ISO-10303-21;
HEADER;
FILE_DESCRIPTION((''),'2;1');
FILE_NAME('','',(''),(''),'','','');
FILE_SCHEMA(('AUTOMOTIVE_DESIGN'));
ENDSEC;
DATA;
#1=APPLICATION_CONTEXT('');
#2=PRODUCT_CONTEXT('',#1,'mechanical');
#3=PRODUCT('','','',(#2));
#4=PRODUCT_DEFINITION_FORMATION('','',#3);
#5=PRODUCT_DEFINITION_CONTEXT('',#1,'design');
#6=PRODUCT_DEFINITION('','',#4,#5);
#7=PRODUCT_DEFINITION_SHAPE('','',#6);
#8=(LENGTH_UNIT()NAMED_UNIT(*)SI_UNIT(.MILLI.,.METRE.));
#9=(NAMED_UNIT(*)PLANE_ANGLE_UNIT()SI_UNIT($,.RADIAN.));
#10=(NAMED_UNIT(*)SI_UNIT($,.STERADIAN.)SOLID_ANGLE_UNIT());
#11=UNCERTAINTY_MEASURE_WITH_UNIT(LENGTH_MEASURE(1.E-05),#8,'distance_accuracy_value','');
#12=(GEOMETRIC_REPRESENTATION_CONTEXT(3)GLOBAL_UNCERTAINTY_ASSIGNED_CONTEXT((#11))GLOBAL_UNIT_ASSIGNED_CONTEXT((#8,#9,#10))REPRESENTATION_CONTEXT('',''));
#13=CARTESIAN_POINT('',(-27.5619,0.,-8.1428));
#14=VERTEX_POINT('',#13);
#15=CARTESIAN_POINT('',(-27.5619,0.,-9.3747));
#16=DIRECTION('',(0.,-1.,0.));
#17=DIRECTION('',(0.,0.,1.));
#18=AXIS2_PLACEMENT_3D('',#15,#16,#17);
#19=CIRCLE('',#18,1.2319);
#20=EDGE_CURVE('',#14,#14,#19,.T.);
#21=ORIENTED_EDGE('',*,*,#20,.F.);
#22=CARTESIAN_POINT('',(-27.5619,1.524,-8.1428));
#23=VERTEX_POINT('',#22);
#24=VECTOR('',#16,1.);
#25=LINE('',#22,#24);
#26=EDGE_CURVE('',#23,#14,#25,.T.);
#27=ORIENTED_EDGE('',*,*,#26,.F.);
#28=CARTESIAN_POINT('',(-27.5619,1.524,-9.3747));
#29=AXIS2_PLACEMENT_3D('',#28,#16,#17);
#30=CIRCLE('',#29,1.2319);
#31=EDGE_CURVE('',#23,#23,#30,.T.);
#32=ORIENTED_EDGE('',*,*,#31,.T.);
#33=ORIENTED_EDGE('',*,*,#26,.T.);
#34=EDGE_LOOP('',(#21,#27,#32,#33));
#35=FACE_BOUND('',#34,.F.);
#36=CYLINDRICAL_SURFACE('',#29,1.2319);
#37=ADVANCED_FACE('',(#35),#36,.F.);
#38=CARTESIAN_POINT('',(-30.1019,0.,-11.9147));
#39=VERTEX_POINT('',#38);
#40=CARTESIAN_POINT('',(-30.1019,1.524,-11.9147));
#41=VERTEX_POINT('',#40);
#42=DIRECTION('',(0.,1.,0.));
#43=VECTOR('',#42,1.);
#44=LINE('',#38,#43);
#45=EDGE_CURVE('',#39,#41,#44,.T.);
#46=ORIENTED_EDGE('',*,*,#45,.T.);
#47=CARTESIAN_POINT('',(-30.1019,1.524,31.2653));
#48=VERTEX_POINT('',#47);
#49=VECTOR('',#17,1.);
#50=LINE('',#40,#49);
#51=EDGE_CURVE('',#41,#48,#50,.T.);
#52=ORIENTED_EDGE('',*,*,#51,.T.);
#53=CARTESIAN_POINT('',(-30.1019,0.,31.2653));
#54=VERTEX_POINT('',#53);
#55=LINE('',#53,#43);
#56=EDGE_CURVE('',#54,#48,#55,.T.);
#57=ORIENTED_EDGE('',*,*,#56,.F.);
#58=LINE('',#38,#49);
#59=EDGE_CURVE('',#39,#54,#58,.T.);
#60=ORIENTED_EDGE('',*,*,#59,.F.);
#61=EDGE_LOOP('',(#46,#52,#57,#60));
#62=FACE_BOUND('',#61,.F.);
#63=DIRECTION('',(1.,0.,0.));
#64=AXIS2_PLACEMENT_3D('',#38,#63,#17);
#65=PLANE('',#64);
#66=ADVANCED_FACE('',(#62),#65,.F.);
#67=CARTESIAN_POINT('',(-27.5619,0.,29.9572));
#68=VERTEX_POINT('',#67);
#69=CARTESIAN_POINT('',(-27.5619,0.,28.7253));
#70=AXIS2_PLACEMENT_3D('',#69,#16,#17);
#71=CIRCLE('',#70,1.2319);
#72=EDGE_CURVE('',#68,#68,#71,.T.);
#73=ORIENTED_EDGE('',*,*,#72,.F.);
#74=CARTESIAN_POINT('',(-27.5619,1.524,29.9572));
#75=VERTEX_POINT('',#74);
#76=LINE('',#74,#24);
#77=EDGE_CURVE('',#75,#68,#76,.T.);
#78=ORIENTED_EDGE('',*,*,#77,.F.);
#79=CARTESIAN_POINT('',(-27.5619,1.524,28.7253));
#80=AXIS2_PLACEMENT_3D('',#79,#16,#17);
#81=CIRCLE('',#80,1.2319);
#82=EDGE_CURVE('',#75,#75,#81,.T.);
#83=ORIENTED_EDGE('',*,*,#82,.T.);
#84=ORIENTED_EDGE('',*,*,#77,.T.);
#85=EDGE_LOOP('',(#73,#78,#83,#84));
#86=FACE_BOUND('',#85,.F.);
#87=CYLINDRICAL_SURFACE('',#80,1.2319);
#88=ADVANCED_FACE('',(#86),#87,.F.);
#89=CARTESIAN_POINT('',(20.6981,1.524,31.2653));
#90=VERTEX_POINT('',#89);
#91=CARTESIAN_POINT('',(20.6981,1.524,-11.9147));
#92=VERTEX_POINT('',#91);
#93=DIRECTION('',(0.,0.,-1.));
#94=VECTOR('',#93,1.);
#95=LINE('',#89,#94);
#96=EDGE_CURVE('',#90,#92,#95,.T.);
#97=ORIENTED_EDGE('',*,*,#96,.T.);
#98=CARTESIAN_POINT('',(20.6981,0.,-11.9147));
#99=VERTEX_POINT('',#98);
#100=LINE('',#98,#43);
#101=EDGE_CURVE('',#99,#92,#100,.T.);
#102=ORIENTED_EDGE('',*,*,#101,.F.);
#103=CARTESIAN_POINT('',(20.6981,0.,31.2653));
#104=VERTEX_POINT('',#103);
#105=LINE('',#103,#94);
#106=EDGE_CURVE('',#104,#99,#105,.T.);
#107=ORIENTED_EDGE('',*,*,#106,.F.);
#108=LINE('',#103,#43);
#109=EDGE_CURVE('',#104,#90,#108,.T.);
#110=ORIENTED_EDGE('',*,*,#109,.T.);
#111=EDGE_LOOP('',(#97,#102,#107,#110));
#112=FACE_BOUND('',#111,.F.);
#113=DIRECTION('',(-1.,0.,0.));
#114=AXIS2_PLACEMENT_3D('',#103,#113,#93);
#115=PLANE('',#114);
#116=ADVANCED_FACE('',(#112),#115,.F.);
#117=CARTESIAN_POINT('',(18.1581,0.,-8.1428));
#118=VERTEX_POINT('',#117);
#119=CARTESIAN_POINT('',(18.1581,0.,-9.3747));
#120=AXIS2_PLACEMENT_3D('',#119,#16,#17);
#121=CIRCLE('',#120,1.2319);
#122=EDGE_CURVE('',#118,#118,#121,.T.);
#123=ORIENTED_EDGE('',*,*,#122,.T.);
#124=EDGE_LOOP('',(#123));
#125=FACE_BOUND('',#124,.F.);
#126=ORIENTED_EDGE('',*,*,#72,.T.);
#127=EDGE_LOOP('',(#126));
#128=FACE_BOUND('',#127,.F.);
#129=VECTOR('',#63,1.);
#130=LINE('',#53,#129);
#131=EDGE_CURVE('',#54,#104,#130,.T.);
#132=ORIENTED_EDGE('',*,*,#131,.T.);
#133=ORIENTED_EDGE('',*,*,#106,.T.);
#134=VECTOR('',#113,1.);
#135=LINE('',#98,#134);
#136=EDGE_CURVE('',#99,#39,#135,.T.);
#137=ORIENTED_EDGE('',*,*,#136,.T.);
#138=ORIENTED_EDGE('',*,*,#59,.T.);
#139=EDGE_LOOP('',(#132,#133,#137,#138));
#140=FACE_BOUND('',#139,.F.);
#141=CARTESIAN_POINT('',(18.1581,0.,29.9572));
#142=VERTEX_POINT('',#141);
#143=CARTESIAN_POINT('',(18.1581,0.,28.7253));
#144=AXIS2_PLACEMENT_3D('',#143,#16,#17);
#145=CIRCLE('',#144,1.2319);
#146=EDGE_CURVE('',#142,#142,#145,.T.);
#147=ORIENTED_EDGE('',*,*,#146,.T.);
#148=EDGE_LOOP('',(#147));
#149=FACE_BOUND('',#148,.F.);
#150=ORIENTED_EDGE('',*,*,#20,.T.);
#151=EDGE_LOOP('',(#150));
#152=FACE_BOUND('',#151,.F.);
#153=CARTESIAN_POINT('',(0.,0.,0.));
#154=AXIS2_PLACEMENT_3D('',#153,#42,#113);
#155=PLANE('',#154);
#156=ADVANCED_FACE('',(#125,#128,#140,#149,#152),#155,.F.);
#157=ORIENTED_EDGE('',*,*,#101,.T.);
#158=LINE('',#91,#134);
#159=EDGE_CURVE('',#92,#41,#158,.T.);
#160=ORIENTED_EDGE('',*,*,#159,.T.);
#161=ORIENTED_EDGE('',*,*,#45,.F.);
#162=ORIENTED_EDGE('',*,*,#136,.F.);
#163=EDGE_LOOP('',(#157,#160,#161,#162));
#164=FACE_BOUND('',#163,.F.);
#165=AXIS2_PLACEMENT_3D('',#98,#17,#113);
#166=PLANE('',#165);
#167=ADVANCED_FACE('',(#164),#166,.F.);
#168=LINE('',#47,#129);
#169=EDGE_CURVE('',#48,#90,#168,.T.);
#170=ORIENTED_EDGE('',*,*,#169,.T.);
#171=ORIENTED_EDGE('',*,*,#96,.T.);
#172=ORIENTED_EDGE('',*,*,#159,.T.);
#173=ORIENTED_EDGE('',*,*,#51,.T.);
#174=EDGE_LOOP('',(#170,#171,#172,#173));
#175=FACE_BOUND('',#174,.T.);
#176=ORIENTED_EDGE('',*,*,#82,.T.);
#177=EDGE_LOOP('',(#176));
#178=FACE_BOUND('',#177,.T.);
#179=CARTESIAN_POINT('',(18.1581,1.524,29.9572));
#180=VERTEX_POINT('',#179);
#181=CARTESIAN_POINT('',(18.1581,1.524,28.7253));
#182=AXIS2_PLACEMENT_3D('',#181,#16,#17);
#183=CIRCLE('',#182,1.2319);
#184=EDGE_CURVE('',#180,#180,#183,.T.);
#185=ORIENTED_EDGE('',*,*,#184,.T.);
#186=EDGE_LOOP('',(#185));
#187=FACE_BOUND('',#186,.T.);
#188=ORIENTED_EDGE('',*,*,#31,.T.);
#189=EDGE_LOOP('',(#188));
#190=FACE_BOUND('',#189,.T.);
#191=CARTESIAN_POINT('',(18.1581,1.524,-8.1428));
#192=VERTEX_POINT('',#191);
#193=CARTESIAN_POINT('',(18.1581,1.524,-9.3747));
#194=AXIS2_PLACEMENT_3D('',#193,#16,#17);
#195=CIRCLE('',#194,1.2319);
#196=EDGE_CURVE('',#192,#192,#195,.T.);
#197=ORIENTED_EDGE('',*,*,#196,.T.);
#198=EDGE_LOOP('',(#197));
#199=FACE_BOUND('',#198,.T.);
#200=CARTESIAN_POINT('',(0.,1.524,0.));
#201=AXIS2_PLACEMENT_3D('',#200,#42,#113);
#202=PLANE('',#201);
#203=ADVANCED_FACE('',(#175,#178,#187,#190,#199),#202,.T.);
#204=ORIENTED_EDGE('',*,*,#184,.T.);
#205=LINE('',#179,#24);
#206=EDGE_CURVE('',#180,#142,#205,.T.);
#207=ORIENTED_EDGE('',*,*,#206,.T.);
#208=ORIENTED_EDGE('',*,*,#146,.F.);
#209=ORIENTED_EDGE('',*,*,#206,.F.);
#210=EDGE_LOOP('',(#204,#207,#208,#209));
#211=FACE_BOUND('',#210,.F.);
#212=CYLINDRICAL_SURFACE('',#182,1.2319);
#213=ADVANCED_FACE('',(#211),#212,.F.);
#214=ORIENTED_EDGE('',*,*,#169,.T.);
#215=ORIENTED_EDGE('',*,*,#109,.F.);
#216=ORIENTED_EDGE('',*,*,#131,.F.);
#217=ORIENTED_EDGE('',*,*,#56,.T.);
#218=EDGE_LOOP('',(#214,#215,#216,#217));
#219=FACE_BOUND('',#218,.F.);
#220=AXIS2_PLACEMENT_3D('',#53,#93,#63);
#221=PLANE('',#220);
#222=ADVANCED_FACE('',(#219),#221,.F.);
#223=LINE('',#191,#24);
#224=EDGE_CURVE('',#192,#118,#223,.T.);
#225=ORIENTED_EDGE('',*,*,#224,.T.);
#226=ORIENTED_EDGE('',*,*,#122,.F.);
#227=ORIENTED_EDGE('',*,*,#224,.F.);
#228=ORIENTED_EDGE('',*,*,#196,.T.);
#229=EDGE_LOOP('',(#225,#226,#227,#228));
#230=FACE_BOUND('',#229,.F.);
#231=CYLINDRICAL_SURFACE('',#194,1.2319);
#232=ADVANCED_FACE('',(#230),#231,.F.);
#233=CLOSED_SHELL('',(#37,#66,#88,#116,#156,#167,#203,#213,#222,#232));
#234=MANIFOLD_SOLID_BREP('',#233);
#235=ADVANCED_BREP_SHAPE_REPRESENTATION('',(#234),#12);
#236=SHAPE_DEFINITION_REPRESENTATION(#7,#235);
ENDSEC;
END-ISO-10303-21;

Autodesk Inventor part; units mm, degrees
ref_plane "YZ Plane" through (0, 0, 0) normal (1, 0, 0) x (0, 1, 0)
ref_plane "XZ Plane" through (0, 0, 0) normal (0, 1, 0) x (-1, 0, 0)
ref_plane "XY Plane" through (0, 0, 0) normal (0, 0, 1) x (1, 0, 0)
sketch "Sketch1" plane through (0, 0, 0) normal (0, 1, 0) x (-1, 0, 0)
  line L0 (30.1019, 31.2653) -> (-20.6981, 31.2653)
  line L1 (-20.6981, 31.2653) -> (-20.6981, -11.9147)
  line L2 (-20.6981, -11.9147) -> (30.1019, -11.9147)
  line L3 (30.1019, -11.9147) -> (30.1019, 31.2653)
  point P0 (0, 0)
  dimension "d0" = 50.8
  dimension "d1" = 43.18
extrude "Extrusion1" add sketch "Sketch1" along normal blind 1.524
sketch "Sketch2" plane through (0, 1.524, 0) normal (0, 1, 0) x (1, 0, 0)
  line L0 (20.6981, -31.2653) -> (20.6981, 11.9147) projected
  line L1 (-30.1019, -31.2653) -> (20.6981, -31.2653) projected
  line L2 (20.6981, 11.9147) -> (-30.1019, 11.9147) projected
  line L3 (-30.1019, 11.9147) -> (-30.1019, -31.2653) projected
  point P0 (0, 0)
  point P1 (-27.5619, -28.7253)
  point P2 (-27.5619, 9.3747)
  point P3 (18.1581, 9.3747)
  point P4 (18.1581, -28.7253)
  dimension "d4" = 0
  dimension "d5" = 0
  dimension "d6" = 0
  dimension "d7" = 0
  dimension "d8" = 2.54
  dimension "d9" = 2.54
  dimension "d10" = 2.54
  dimension "d18" = 2.54
hole "Hole1" at (-27.5619, 1.524, 28.7253) at (-27.5619, 1.524, -9.3747) at (18.1581, 1.524, -9.3747) at (18.1581, 1.524, 28.7253) direction (0, -1, 0) diameter 2.4638 end through all
properties part number "SparkFun GPS-RTK Dead Reckoning Breakout"
